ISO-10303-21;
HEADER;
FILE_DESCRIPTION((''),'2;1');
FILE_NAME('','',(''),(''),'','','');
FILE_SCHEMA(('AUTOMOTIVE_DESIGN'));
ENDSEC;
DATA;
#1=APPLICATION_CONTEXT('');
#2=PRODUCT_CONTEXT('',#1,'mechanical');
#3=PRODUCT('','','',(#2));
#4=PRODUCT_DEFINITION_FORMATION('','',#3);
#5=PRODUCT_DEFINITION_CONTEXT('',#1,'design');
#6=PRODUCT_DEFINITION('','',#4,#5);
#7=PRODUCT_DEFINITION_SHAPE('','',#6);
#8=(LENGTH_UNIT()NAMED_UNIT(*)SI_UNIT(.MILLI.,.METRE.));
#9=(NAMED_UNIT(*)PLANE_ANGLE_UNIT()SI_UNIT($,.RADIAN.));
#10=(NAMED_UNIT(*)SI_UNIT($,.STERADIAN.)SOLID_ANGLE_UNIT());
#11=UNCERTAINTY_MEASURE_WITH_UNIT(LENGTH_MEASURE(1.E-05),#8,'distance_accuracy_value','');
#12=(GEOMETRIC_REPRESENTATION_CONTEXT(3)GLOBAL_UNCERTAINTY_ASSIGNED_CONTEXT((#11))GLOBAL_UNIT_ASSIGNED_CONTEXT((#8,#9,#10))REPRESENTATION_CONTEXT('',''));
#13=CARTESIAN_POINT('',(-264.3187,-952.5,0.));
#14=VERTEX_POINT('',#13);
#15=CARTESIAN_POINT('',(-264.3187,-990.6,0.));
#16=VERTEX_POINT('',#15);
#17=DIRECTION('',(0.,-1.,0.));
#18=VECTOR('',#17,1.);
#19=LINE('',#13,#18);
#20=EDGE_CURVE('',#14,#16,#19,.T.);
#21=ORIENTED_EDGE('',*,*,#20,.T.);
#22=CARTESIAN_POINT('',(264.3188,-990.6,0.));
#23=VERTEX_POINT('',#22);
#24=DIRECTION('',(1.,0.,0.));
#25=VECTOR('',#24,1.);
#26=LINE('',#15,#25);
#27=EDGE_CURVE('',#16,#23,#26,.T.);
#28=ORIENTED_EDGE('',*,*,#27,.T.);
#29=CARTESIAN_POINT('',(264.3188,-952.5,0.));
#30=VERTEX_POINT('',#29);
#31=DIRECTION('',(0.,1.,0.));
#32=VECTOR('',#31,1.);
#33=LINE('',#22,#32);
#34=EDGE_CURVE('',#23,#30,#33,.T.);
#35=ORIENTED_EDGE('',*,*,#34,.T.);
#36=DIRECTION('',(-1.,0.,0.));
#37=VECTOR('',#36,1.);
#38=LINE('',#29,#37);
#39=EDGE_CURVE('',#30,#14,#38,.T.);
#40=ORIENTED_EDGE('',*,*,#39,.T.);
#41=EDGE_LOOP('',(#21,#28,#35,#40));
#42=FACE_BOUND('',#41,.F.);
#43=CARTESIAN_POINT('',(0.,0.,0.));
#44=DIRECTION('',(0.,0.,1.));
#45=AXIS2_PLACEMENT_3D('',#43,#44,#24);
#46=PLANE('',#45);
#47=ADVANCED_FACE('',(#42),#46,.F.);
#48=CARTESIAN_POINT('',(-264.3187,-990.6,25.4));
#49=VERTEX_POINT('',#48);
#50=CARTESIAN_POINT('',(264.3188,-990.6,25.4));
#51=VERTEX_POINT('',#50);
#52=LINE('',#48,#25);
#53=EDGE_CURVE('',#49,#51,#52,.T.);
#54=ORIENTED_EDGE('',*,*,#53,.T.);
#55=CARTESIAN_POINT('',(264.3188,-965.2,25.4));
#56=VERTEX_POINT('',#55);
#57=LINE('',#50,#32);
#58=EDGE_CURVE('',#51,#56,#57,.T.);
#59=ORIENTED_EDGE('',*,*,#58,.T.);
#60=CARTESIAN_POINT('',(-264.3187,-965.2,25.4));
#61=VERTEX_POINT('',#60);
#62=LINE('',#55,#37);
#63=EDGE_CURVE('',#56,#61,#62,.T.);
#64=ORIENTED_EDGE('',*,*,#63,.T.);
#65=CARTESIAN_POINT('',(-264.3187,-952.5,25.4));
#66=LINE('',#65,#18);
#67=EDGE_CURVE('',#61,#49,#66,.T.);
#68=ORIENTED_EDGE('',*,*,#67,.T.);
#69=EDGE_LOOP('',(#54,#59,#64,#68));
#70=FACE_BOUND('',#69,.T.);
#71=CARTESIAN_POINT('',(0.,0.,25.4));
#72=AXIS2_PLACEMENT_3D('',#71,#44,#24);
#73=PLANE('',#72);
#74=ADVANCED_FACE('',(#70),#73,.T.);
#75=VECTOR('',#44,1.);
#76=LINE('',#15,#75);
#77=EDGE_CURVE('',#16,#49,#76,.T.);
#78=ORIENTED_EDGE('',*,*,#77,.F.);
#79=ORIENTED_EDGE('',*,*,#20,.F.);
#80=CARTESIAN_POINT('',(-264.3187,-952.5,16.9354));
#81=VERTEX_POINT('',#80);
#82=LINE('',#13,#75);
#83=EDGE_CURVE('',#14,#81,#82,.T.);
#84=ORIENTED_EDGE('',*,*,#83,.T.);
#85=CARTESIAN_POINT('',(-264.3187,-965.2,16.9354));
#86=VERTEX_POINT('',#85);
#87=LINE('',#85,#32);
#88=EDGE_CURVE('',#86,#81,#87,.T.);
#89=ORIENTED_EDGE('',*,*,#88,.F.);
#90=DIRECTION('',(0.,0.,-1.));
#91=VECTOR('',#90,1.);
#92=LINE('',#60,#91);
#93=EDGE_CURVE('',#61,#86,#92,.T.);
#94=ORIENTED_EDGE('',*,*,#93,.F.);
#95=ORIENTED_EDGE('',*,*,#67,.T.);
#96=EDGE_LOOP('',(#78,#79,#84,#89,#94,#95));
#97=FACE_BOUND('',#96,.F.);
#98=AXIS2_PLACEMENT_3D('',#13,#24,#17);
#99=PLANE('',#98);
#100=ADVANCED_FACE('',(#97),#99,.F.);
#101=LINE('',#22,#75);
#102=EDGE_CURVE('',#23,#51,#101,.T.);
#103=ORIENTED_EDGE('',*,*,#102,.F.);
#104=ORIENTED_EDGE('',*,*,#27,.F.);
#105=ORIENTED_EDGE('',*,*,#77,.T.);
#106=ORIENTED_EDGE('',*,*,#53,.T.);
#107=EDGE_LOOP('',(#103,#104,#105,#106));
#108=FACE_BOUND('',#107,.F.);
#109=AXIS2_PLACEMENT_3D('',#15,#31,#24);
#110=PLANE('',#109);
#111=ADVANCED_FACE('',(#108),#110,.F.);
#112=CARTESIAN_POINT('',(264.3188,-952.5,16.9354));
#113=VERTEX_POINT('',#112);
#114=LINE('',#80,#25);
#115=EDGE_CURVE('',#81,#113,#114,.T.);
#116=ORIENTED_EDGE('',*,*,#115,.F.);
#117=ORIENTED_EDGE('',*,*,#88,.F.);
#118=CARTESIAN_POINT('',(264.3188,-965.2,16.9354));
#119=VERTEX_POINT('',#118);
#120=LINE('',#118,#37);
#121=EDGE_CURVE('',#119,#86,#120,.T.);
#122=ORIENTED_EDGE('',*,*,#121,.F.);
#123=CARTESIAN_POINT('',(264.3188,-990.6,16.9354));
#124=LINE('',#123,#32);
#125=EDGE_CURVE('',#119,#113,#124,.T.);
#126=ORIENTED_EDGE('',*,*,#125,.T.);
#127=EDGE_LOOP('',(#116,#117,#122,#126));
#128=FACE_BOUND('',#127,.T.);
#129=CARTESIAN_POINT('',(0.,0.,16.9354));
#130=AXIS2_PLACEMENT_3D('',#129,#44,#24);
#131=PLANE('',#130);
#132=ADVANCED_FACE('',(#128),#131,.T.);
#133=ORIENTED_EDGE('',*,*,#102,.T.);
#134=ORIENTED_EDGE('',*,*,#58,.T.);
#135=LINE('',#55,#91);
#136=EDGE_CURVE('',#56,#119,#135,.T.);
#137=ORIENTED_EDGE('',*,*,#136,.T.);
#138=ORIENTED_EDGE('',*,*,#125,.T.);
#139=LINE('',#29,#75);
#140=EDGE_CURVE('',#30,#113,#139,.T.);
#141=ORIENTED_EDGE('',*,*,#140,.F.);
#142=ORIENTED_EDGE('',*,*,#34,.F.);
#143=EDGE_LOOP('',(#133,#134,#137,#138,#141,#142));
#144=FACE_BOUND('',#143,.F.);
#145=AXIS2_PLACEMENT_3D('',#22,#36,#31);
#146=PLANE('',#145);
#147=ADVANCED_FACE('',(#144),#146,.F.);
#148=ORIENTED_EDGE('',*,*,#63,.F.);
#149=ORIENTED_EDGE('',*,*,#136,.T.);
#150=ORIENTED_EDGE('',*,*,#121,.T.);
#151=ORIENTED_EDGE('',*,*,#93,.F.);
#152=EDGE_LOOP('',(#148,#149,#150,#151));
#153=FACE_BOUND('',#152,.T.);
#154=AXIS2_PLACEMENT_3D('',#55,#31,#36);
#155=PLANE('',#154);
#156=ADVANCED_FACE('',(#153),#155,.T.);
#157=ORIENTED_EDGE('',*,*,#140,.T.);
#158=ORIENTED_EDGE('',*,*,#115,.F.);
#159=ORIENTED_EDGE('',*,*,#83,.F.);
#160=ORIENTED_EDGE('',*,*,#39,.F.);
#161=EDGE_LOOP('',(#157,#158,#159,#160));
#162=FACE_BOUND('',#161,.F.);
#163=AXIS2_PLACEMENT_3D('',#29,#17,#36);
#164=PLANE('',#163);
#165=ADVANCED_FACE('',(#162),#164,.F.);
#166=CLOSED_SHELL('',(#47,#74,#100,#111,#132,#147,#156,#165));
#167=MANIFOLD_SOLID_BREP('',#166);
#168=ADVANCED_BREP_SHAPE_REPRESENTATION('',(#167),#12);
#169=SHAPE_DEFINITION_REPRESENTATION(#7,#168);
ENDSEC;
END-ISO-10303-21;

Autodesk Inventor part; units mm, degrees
ref_plane "YZ Plane" through (0, 0, 0) normal (1, 0, 0) x (0, 1, 0)
ref_plane "XZ Plane" through (0, 0, 0) normal (0, 1, 0) x (-1, 0, 0)
ref_plane "XY Plane" through (0, 0, 0) normal (0, 0, 1) x (1, 0, 0)
ref_plane "Work Plane1" through (0, 0, 0) normal (0, 0, 1) x (1, 0, 0)
sketch "Sketch1" plane through (0, 0, 0) normal (0, 0, 1) x (1, 0, 0)
  line L0 (-264.3187, -990.6) -> (264.3188, -990.6)
  line L1 (264.3188, -990.6) -> (264.3188, -952.5)
  line L2 (264.3188, -952.5) -> (-264.3187, -952.5)
  line L3 (-264.3187, -952.5) -> (-264.3187, -990.6)
  point P0 (0, 0)
  dimension "d0" = 528.6375
  dimension "d1" = 38.1
extrude "Extrusion1" add sketch "Sketch1" along normal blind 25.4
sketch "Sketch2" plane through (0, 0, 25.4) normal (0, 0, 1) x (1, 0, 0)
  line L0 (264.3188, -990.6) -> (264.3188, -952.5) projected
  line L1 (-264.3187, -952.5) -> (264.3188, -952.5)
  line L2 (264.3188, -952.5) -> (264.3188, -965.2)
  line L3 (264.3188, -965.2) -> (-264.3187, -965.2)
  line L4 (-264.3187, -965.2) -> (-264.3187, -952.5)
  point P0 (0, 0)
  dimension "d4" = 12.7
extrude "Extrusion2" cut sketch "Sketch2" against normal blind 8.4646
properties part number "TopBottomBorder"
